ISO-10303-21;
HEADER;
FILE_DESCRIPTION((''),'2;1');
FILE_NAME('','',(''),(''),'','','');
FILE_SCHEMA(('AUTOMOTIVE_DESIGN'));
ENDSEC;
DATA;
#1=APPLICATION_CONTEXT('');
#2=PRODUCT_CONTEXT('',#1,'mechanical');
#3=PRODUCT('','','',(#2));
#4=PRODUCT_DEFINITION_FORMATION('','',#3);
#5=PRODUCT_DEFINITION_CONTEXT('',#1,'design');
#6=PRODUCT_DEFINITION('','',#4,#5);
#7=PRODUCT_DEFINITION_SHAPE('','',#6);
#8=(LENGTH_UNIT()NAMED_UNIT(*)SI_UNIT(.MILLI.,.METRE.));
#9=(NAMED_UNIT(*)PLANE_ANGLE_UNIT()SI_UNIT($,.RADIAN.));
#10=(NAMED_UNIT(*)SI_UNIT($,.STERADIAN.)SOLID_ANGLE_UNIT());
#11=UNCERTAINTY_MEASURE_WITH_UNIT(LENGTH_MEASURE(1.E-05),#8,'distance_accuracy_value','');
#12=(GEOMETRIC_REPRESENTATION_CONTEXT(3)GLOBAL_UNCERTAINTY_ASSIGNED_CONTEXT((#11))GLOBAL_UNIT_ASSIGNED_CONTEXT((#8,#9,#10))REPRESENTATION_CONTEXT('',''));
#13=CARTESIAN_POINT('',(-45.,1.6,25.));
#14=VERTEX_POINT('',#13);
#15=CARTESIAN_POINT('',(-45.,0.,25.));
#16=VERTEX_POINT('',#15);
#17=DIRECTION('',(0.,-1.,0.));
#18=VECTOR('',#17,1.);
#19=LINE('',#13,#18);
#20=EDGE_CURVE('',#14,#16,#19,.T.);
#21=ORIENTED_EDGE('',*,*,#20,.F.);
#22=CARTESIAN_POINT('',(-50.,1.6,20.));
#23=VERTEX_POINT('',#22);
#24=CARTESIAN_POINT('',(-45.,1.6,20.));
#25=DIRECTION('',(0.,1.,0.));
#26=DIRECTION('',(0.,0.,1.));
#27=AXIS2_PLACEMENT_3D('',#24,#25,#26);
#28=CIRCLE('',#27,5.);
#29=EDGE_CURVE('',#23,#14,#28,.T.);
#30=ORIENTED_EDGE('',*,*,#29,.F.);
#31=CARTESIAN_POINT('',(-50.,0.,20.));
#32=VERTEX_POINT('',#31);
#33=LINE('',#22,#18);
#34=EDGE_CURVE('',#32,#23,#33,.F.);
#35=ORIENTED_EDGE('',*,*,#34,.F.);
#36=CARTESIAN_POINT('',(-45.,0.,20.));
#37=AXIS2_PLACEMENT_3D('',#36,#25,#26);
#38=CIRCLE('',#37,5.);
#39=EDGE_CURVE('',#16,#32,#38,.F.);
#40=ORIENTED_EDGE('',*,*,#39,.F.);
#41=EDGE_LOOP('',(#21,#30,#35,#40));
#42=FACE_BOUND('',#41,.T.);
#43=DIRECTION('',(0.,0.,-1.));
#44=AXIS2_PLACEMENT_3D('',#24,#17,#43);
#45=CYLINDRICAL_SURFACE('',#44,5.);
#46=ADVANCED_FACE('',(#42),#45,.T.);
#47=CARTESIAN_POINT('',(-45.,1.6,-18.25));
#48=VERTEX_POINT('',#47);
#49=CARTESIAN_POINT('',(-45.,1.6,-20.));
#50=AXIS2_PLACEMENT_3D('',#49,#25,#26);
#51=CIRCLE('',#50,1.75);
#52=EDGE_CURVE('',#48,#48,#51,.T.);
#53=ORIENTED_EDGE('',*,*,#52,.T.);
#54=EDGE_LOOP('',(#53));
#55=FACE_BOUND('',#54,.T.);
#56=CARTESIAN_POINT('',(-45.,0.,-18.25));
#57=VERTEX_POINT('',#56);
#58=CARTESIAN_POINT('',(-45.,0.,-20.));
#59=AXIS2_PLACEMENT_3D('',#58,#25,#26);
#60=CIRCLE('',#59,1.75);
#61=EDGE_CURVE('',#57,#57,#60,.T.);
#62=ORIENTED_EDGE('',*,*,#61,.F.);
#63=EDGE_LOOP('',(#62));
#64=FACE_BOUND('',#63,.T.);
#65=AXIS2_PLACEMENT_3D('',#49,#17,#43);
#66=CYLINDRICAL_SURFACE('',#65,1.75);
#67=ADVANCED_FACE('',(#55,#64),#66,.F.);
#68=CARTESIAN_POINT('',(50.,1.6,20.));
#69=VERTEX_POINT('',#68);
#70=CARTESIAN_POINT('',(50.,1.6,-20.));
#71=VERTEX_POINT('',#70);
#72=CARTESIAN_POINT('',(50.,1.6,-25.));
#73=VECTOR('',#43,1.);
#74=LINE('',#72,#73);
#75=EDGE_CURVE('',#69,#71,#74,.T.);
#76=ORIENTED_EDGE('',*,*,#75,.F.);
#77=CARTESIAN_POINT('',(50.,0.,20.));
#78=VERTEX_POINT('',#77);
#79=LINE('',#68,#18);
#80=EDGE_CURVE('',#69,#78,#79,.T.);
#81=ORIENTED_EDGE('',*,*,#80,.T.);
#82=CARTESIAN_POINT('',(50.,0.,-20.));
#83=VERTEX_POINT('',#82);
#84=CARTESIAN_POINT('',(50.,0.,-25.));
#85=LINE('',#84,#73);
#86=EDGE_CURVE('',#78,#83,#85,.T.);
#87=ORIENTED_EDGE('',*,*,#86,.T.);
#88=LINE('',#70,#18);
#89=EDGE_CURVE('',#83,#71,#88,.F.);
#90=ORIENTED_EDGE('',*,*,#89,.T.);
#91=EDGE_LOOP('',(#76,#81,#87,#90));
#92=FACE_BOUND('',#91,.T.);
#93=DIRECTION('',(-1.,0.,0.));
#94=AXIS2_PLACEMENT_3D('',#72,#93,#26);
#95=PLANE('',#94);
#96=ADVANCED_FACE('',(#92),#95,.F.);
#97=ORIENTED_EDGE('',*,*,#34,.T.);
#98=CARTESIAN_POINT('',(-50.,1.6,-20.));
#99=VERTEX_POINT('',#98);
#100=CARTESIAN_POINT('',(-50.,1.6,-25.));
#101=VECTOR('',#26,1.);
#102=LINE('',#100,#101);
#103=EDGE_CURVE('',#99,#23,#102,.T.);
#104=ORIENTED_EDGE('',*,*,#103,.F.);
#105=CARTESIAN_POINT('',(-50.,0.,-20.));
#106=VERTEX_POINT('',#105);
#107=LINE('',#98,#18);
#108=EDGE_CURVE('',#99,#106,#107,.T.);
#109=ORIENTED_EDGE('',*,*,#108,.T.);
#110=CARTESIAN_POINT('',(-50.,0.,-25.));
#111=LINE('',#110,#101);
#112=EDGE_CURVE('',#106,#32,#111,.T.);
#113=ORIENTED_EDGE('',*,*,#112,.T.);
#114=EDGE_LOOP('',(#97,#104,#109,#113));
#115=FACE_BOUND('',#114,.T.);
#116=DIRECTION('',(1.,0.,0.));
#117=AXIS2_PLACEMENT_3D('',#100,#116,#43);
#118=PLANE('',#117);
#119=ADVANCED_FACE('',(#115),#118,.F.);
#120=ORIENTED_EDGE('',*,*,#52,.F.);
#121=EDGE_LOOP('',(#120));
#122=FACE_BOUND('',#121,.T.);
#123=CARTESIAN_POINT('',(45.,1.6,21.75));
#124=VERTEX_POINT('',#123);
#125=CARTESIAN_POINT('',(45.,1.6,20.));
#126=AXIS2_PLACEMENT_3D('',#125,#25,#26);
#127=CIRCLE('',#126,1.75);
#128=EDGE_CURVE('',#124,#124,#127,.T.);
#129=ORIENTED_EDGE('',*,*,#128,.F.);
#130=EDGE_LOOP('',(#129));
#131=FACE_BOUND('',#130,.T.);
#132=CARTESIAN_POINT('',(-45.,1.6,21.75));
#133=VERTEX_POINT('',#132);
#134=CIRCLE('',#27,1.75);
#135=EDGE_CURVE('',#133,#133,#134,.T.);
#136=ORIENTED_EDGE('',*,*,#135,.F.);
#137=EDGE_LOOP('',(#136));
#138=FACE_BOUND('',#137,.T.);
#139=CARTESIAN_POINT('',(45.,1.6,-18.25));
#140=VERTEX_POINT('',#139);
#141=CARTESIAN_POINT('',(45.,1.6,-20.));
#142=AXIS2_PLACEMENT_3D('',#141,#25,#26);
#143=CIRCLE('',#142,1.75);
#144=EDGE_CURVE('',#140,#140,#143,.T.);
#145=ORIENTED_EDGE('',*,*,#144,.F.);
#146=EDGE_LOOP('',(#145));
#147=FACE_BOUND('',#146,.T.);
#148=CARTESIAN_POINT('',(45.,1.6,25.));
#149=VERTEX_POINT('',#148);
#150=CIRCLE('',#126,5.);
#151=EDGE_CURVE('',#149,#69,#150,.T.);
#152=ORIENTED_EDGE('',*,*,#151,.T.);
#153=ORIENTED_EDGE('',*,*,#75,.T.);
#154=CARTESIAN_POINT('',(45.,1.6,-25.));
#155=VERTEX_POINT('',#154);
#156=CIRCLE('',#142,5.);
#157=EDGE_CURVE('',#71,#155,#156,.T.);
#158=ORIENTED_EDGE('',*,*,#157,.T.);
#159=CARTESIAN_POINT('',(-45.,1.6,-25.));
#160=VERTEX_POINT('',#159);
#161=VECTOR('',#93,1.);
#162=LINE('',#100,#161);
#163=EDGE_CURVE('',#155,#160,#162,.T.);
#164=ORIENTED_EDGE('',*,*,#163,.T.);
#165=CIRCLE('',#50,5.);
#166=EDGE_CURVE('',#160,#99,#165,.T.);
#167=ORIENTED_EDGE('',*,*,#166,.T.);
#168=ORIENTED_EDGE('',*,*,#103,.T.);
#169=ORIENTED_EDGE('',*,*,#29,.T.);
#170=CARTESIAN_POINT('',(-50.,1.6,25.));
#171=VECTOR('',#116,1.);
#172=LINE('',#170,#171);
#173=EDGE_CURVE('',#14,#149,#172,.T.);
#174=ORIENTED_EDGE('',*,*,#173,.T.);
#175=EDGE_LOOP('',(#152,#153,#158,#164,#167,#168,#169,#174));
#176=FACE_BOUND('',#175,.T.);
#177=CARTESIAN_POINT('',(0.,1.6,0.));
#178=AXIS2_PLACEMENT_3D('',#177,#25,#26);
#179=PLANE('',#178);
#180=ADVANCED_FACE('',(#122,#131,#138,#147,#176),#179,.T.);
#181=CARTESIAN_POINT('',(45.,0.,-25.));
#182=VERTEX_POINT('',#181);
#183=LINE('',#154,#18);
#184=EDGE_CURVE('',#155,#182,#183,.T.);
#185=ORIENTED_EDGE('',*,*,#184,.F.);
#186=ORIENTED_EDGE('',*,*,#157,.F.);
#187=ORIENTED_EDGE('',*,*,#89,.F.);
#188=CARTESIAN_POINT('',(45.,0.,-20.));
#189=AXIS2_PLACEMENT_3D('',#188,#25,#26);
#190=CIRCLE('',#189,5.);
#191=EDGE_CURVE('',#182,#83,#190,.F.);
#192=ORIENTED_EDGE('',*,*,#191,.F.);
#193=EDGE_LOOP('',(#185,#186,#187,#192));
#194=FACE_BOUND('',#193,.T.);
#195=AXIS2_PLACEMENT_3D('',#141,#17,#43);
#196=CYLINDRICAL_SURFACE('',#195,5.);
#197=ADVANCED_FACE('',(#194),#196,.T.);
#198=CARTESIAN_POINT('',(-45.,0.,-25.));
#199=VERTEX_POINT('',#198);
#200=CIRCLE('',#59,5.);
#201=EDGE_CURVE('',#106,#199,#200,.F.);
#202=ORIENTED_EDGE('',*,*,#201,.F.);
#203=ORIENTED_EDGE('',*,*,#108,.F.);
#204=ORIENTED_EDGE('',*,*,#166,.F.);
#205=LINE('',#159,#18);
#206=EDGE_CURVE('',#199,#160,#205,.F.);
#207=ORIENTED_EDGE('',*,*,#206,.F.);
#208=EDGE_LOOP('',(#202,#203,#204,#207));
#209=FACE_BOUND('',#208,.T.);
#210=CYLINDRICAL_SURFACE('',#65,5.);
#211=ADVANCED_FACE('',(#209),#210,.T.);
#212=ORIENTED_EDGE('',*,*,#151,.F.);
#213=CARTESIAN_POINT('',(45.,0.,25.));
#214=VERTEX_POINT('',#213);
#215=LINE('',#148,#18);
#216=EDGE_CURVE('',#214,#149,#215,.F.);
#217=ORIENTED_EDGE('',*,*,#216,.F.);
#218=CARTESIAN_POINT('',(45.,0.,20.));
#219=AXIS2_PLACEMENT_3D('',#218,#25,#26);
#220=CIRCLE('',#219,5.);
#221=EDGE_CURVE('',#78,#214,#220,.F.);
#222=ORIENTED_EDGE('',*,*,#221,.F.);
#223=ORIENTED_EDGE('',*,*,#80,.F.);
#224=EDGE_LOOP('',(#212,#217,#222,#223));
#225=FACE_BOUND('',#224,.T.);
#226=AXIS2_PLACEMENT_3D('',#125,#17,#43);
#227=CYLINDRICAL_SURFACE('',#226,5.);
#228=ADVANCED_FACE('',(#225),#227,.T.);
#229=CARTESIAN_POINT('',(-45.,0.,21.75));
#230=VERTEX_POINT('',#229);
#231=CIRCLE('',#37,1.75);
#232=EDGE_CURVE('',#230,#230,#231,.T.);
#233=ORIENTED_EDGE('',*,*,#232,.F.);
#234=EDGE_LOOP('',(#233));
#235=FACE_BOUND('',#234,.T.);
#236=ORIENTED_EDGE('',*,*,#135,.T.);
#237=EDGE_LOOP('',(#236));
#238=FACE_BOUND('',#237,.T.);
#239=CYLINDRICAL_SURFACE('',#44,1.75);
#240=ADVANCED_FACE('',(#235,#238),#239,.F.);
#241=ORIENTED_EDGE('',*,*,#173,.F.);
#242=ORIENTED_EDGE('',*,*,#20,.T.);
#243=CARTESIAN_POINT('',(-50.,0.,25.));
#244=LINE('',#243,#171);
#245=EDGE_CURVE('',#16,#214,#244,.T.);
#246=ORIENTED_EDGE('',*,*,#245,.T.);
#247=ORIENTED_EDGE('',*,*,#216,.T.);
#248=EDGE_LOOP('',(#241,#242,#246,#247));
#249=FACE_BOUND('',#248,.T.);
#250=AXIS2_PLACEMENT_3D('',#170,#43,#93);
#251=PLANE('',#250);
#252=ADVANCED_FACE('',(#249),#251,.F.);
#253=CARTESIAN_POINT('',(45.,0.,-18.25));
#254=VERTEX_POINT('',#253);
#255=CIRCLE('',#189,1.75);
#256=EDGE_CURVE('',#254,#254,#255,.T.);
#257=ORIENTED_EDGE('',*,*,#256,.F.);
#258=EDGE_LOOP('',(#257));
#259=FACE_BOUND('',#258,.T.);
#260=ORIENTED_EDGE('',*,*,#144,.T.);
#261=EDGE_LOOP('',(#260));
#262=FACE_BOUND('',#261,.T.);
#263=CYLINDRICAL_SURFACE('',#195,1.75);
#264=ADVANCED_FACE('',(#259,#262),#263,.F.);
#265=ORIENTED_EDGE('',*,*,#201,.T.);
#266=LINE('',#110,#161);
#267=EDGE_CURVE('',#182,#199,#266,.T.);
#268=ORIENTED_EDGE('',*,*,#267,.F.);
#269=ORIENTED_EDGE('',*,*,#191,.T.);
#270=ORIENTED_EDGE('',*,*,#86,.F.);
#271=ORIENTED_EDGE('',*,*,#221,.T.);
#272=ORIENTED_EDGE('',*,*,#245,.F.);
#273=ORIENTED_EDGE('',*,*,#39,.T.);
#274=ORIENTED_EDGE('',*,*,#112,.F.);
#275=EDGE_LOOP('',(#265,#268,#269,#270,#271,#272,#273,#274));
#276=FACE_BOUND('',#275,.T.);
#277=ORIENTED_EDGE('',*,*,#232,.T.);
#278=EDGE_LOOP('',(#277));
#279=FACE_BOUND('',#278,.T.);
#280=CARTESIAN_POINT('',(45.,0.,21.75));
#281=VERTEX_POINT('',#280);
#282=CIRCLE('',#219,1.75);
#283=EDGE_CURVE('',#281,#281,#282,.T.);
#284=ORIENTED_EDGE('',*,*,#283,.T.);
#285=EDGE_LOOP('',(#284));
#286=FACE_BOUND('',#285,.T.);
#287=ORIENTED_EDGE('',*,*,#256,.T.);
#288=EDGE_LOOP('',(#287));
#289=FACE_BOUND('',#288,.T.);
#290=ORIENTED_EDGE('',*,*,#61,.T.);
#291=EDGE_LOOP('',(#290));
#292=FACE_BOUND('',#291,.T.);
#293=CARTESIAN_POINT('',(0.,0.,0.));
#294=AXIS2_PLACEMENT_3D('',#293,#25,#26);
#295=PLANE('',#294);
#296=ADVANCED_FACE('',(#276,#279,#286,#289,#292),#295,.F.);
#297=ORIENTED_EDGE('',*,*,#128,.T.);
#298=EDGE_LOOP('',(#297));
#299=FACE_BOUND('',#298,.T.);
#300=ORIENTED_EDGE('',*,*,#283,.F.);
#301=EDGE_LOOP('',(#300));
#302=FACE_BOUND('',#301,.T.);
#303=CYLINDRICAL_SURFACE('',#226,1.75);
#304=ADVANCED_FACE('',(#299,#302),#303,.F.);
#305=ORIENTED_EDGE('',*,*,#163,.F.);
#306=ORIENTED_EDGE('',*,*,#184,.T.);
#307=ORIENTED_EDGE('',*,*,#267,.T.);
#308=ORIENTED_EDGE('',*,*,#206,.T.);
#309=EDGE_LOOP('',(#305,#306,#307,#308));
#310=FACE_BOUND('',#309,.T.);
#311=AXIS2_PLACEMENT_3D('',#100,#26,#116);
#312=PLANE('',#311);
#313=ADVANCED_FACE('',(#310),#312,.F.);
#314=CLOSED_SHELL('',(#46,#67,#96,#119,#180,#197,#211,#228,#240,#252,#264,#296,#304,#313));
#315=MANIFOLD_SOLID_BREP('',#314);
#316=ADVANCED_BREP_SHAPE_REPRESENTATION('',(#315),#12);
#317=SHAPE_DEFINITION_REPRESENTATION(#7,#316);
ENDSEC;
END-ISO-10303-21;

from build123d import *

# Parameters (mm, degrees)
SKETCH_1_W      = 100
SKETCH_1_H      = 50
SKETCH_1_R      = 1.75
EXTRUDE_1_DEPTH = 1.6
FILLET_1_R      = 5


with BuildPart() as part:
    # 草图1 → 凸台-拉伸1 (new body)
    with BuildSketch(Plane(origin=(0, 0, 0), x_dir=(1, 0, 0), z_dir=(0, 1, 0))):
        Rectangle(SKETCH_1_W, SKETCH_1_H)
        with Locations(Location((-45, 20, 0), (0, 0, 270))):
            Circle(SKETCH_1_R, mode=Mode.SUBTRACT)
        with Locations(Location((45, 20, 0), (0, 0, 270))):
            Circle(SKETCH_1_R, mode=Mode.SUBTRACT)
        with Locations(Location((45, -20, 0), (0, 0, 270))):
            Circle(SKETCH_1_R, mode=Mode.SUBTRACT)
        with Locations(Location((-45, -20, 0), (0, 0, 270))):
            Circle(SKETCH_1_R, mode=Mode.SUBTRACT)
    extrude(amount=EXTRUDE_1_DEPTH)

    # 圆角1
    fillet_1_edges = [part.edges().sort_by_distance(p)[0] for p in [
        (50, 0.8, 25),
        (-50, 0.8, 25),
        (-50, 0.8, -25),
        (50, 0.8, -25),
    ]]
    fillet(fillet_1_edges, radius=FILLET_1_R)


solid = part.part
